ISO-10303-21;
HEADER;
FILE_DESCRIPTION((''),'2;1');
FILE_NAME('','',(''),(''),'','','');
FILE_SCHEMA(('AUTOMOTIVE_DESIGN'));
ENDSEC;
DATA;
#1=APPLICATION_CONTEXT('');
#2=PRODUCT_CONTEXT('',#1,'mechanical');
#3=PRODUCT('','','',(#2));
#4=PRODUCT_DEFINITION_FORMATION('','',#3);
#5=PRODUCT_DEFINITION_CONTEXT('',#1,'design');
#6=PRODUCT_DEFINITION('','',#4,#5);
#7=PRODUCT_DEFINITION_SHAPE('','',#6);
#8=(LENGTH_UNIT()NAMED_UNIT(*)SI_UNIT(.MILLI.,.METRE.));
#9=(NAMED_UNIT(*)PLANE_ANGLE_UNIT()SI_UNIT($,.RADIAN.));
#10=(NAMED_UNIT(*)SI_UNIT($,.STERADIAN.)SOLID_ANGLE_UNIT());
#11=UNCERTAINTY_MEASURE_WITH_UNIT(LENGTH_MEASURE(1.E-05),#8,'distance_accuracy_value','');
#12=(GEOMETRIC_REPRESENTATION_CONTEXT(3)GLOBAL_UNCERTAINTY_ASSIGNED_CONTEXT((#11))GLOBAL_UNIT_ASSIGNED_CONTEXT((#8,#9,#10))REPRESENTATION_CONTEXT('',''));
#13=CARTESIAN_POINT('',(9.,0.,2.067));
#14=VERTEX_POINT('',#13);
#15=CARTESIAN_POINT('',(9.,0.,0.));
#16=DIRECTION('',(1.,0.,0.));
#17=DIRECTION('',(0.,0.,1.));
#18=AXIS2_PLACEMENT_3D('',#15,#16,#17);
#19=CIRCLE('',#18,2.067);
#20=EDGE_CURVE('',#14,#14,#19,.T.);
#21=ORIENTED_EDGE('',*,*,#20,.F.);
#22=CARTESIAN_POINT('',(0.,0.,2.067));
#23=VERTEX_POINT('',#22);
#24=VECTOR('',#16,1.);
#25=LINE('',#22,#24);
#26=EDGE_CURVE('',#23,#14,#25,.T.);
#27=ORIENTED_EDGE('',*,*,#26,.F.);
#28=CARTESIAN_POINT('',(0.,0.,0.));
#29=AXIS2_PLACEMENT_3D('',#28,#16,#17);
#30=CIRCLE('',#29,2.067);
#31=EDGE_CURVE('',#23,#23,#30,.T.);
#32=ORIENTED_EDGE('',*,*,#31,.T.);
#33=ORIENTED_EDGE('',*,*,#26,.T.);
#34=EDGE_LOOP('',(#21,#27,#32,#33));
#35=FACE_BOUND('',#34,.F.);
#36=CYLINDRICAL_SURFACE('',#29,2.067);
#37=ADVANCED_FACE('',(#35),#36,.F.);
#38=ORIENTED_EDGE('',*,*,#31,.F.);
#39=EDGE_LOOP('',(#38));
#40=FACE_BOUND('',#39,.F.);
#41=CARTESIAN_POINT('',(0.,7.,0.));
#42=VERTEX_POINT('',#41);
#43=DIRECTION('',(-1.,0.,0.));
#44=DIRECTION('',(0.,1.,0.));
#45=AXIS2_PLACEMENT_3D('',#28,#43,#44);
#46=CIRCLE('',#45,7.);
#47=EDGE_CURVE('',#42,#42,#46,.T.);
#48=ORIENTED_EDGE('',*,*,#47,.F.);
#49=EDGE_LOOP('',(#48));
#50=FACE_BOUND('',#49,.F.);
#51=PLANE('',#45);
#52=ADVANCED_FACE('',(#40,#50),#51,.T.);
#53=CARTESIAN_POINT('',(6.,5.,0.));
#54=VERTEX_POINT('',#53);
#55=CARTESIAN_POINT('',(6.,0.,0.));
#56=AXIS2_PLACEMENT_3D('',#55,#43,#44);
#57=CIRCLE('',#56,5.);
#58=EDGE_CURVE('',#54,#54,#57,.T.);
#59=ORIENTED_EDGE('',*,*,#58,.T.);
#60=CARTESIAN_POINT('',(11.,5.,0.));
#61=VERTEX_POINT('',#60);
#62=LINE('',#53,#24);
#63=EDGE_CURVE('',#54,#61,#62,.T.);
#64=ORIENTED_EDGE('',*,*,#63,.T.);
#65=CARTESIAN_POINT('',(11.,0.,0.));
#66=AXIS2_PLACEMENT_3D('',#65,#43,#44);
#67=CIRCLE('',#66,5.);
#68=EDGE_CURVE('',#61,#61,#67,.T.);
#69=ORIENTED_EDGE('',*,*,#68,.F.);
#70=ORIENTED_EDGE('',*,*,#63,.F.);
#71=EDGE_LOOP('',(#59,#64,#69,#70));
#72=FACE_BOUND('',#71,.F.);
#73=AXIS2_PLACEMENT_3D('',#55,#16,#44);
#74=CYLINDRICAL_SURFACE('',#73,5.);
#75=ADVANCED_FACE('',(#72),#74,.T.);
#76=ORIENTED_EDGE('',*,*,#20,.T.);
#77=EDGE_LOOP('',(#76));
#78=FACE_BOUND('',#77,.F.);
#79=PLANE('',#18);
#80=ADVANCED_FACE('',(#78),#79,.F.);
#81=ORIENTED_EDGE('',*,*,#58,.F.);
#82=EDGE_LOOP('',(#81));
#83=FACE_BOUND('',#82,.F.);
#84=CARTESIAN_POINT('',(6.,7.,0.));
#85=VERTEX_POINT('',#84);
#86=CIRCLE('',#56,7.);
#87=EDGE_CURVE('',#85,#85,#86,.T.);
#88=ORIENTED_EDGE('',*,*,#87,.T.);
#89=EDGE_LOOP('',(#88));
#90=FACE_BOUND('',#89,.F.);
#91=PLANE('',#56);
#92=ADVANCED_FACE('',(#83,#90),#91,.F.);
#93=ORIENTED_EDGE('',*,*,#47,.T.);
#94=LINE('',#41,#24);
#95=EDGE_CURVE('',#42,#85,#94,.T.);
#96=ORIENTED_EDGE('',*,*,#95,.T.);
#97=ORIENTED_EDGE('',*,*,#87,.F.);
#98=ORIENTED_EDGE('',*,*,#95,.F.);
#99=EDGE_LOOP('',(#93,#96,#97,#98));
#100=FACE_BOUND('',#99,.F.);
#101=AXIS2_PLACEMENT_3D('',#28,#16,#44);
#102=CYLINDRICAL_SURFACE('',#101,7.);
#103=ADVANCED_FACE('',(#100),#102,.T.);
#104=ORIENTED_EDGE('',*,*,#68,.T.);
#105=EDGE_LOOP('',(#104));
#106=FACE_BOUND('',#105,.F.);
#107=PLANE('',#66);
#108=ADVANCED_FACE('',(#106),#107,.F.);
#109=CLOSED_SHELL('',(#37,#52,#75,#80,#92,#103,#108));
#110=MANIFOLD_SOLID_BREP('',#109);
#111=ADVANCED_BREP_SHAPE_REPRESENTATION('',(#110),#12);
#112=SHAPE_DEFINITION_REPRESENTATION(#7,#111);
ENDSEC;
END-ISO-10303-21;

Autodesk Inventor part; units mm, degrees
ref_plane "YZ Plane" through (0, 0, 0) normal (1, 0, 0) x (0, 1, 0)
ref_plane "XZ Plane" through (0, 0, 0) normal (0, 1, 0) x (-1, 0, 0)
ref_plane "XY Plane" through (0, 0, 0) normal (0, 0, 1) x (1, 0, 0)
sketch "Sketch1" plane through (0, 0, 0) normal (0, 0, 1) x (1, 0, 0)
  line L0 (0, 0) -> (0, 7)
  line L1 (0, 7) -> (6, 7)
  line L2 (6, 7) -> (6, 5)
  line L3 (6, 5) -> (11, 5)
  line L4 (11, 5) -> (11, 0)
  line L5 (11, 0) -> (0, 0)
  dimension "d0" = 5
  dimension "d1" = 6
  dimension "d2" = 10
  dimension "d3" = 14
revolve "Revolution1" add sketch "Sketch1" angle 360 about axis through (11, 0, 0) along (-1, 0, 0)
sketch "Sketch2" plane through (0, 0, 0) normal (-1, 0, 0) x (0, 0, 1)
  circle A0 centre (0, 0) radius 7 projected
  point P0 (0, 0)
hole "Hole1" at (0, 0, 0) direction (1, 0, 0) diameter 4.134 depth 9 thread size "M5x0.8" class "6H" standard "ISO Metric profile"
properties part number "1 part 16"
